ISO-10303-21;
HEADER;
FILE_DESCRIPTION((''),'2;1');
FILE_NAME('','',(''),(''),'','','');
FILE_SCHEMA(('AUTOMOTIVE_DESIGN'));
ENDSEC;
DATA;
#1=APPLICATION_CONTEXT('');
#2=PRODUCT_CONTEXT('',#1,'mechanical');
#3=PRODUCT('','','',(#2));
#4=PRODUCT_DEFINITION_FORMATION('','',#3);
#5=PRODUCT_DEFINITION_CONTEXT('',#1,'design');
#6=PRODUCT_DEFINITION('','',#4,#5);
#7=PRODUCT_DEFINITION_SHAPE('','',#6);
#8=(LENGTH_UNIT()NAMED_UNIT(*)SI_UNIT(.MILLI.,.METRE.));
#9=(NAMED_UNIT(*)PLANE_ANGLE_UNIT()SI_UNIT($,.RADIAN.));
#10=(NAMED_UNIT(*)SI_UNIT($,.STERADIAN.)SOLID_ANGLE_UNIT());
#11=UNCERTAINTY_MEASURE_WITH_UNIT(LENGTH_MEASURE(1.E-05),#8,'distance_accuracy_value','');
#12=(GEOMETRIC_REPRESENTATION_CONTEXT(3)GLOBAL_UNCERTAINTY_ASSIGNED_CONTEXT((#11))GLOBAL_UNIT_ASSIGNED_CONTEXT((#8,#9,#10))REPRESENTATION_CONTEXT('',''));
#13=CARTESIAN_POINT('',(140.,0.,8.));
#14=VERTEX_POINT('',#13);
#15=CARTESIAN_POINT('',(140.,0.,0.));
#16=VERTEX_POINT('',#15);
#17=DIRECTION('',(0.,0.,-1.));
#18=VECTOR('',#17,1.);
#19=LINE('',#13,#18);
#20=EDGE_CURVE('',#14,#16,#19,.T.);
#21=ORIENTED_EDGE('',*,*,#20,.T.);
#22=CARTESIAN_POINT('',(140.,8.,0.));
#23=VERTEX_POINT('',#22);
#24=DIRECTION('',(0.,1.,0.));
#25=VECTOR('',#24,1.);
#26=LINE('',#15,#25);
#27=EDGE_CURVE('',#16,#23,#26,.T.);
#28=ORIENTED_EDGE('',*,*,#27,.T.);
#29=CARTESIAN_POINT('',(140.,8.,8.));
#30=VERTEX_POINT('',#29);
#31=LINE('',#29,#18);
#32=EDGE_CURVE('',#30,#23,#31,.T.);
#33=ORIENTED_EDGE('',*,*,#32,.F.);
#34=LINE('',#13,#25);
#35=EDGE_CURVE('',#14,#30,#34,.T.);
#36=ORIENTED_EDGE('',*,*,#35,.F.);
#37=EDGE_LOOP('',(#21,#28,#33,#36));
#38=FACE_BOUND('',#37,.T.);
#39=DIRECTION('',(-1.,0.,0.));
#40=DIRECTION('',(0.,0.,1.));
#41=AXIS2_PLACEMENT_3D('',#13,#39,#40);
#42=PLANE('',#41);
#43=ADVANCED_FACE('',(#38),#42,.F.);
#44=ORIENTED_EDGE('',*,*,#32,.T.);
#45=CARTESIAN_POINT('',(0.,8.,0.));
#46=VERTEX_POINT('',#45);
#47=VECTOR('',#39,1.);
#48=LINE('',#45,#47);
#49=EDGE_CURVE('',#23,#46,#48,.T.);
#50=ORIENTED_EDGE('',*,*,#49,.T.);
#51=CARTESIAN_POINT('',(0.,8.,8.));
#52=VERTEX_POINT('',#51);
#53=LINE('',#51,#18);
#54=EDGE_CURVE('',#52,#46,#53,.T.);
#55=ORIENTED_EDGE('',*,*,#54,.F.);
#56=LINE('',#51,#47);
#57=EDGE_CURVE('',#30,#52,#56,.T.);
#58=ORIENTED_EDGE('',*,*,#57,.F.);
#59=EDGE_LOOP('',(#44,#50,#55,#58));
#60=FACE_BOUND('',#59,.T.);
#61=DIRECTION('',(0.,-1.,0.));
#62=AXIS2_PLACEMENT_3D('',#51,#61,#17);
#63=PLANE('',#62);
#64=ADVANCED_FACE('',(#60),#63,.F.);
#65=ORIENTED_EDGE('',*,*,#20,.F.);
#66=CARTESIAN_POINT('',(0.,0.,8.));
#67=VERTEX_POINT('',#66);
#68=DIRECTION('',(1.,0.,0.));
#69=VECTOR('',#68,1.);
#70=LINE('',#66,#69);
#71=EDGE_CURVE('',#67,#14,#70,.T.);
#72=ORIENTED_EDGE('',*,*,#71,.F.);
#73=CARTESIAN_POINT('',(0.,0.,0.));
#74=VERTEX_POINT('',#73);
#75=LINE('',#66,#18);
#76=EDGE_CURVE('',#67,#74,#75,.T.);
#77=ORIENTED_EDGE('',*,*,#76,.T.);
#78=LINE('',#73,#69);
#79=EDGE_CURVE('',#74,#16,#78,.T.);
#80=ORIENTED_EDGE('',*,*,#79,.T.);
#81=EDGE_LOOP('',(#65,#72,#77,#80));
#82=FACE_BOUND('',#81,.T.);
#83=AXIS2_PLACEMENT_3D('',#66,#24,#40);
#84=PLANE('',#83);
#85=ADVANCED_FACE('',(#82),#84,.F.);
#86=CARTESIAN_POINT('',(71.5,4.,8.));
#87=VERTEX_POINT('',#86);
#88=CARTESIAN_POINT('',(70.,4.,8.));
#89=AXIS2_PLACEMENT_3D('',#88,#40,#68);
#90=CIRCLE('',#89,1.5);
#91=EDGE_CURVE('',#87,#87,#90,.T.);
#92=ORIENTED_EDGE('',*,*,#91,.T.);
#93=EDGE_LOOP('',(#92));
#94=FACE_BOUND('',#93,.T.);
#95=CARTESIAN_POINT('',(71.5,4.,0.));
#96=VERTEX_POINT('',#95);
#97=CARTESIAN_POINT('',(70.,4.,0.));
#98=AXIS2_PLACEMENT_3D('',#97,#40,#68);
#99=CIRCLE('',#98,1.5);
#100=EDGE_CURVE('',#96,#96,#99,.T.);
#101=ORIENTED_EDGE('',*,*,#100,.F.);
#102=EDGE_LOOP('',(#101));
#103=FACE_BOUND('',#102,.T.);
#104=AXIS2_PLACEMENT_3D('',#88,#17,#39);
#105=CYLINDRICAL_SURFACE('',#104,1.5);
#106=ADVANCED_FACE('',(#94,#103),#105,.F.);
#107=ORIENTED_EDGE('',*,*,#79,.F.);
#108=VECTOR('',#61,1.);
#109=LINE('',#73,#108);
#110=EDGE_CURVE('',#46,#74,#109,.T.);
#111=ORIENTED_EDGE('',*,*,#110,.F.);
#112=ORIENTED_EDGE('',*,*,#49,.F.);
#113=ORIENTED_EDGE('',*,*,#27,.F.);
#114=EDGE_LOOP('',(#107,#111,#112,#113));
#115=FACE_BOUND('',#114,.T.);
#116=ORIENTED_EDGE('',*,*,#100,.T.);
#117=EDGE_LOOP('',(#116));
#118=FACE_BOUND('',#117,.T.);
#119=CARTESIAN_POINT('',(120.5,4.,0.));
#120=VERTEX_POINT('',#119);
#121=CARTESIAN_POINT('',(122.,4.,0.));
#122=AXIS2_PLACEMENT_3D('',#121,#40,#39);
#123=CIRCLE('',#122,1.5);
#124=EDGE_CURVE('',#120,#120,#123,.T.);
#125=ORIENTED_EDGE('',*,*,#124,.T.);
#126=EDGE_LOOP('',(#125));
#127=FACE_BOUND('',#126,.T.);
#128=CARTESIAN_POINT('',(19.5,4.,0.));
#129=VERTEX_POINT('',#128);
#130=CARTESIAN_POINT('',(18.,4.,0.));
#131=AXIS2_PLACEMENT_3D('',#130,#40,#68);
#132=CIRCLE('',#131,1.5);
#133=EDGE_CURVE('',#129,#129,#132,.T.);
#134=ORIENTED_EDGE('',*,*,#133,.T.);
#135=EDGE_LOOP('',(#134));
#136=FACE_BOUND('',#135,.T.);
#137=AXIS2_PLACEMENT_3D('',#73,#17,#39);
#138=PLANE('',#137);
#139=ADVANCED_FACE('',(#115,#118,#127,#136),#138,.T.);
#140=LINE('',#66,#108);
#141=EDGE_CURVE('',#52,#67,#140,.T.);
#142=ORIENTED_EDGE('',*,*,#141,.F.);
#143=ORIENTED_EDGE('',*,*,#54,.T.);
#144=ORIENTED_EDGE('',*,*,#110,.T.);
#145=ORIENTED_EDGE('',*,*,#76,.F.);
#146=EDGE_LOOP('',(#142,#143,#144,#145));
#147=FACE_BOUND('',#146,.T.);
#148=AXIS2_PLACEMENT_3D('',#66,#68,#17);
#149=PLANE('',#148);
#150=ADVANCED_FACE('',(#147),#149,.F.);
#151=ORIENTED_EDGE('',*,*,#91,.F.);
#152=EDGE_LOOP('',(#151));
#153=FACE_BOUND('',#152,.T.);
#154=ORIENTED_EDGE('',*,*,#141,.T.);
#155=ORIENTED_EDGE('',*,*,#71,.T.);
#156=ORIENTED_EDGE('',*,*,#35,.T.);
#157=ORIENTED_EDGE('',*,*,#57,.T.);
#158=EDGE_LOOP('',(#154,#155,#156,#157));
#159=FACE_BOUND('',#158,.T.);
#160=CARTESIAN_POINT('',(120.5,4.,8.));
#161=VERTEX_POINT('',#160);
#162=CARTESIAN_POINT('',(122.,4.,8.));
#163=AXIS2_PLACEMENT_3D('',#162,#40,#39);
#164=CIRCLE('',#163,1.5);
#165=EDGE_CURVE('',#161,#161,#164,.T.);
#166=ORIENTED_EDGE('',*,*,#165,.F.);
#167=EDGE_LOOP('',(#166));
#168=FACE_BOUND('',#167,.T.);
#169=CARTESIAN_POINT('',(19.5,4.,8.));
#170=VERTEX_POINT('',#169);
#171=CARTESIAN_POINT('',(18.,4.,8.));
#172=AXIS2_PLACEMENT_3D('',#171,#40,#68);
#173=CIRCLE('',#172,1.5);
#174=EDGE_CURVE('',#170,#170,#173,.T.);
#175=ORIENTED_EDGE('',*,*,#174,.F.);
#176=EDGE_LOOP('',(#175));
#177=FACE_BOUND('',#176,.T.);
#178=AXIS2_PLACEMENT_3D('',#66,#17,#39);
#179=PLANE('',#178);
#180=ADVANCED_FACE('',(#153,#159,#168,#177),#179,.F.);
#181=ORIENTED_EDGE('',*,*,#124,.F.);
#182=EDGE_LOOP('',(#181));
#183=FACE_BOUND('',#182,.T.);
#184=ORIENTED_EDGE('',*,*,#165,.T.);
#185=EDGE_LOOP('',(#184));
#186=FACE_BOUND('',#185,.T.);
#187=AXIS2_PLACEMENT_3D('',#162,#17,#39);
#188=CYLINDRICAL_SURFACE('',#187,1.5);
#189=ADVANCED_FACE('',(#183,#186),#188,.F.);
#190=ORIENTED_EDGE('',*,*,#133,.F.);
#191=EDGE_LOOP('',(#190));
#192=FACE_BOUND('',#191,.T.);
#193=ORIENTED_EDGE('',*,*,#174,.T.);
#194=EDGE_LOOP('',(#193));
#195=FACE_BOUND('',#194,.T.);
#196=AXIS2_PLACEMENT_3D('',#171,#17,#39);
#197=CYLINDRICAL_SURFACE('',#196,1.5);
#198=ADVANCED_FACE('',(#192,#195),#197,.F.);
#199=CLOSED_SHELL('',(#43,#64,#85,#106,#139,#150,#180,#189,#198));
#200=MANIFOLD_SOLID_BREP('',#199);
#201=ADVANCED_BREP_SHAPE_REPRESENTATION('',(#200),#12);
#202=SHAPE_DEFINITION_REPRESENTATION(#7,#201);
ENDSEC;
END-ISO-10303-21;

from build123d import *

# Parameters (mm, degrees)
SKETCH_1_W      = 140
SKETCH_1_H      = 8
SKETCH_1_R      = 1.5
EXTRUDE_1_DEPTH = 8


with BuildPart() as part:
    # 草图1 → 凸台-拉伸1 (new body)
    with BuildSketch(Plane.XY):
        with Locations((70, 4)):
            Rectangle(SKETCH_1_W, SKETCH_1_H)
        with Locations((70, 4)):
            Circle(SKETCH_1_R, mode=Mode.SUBTRACT)
        with Locations((18, 4)):
            Circle(SKETCH_1_R, mode=Mode.SUBTRACT)
        with Locations(Location((122, 4, 0), (0, 0, 180))):
            Circle(SKETCH_1_R, mode=Mode.SUBTRACT)
    extrude(amount=EXTRUDE_1_DEPTH)


solid = part.part
